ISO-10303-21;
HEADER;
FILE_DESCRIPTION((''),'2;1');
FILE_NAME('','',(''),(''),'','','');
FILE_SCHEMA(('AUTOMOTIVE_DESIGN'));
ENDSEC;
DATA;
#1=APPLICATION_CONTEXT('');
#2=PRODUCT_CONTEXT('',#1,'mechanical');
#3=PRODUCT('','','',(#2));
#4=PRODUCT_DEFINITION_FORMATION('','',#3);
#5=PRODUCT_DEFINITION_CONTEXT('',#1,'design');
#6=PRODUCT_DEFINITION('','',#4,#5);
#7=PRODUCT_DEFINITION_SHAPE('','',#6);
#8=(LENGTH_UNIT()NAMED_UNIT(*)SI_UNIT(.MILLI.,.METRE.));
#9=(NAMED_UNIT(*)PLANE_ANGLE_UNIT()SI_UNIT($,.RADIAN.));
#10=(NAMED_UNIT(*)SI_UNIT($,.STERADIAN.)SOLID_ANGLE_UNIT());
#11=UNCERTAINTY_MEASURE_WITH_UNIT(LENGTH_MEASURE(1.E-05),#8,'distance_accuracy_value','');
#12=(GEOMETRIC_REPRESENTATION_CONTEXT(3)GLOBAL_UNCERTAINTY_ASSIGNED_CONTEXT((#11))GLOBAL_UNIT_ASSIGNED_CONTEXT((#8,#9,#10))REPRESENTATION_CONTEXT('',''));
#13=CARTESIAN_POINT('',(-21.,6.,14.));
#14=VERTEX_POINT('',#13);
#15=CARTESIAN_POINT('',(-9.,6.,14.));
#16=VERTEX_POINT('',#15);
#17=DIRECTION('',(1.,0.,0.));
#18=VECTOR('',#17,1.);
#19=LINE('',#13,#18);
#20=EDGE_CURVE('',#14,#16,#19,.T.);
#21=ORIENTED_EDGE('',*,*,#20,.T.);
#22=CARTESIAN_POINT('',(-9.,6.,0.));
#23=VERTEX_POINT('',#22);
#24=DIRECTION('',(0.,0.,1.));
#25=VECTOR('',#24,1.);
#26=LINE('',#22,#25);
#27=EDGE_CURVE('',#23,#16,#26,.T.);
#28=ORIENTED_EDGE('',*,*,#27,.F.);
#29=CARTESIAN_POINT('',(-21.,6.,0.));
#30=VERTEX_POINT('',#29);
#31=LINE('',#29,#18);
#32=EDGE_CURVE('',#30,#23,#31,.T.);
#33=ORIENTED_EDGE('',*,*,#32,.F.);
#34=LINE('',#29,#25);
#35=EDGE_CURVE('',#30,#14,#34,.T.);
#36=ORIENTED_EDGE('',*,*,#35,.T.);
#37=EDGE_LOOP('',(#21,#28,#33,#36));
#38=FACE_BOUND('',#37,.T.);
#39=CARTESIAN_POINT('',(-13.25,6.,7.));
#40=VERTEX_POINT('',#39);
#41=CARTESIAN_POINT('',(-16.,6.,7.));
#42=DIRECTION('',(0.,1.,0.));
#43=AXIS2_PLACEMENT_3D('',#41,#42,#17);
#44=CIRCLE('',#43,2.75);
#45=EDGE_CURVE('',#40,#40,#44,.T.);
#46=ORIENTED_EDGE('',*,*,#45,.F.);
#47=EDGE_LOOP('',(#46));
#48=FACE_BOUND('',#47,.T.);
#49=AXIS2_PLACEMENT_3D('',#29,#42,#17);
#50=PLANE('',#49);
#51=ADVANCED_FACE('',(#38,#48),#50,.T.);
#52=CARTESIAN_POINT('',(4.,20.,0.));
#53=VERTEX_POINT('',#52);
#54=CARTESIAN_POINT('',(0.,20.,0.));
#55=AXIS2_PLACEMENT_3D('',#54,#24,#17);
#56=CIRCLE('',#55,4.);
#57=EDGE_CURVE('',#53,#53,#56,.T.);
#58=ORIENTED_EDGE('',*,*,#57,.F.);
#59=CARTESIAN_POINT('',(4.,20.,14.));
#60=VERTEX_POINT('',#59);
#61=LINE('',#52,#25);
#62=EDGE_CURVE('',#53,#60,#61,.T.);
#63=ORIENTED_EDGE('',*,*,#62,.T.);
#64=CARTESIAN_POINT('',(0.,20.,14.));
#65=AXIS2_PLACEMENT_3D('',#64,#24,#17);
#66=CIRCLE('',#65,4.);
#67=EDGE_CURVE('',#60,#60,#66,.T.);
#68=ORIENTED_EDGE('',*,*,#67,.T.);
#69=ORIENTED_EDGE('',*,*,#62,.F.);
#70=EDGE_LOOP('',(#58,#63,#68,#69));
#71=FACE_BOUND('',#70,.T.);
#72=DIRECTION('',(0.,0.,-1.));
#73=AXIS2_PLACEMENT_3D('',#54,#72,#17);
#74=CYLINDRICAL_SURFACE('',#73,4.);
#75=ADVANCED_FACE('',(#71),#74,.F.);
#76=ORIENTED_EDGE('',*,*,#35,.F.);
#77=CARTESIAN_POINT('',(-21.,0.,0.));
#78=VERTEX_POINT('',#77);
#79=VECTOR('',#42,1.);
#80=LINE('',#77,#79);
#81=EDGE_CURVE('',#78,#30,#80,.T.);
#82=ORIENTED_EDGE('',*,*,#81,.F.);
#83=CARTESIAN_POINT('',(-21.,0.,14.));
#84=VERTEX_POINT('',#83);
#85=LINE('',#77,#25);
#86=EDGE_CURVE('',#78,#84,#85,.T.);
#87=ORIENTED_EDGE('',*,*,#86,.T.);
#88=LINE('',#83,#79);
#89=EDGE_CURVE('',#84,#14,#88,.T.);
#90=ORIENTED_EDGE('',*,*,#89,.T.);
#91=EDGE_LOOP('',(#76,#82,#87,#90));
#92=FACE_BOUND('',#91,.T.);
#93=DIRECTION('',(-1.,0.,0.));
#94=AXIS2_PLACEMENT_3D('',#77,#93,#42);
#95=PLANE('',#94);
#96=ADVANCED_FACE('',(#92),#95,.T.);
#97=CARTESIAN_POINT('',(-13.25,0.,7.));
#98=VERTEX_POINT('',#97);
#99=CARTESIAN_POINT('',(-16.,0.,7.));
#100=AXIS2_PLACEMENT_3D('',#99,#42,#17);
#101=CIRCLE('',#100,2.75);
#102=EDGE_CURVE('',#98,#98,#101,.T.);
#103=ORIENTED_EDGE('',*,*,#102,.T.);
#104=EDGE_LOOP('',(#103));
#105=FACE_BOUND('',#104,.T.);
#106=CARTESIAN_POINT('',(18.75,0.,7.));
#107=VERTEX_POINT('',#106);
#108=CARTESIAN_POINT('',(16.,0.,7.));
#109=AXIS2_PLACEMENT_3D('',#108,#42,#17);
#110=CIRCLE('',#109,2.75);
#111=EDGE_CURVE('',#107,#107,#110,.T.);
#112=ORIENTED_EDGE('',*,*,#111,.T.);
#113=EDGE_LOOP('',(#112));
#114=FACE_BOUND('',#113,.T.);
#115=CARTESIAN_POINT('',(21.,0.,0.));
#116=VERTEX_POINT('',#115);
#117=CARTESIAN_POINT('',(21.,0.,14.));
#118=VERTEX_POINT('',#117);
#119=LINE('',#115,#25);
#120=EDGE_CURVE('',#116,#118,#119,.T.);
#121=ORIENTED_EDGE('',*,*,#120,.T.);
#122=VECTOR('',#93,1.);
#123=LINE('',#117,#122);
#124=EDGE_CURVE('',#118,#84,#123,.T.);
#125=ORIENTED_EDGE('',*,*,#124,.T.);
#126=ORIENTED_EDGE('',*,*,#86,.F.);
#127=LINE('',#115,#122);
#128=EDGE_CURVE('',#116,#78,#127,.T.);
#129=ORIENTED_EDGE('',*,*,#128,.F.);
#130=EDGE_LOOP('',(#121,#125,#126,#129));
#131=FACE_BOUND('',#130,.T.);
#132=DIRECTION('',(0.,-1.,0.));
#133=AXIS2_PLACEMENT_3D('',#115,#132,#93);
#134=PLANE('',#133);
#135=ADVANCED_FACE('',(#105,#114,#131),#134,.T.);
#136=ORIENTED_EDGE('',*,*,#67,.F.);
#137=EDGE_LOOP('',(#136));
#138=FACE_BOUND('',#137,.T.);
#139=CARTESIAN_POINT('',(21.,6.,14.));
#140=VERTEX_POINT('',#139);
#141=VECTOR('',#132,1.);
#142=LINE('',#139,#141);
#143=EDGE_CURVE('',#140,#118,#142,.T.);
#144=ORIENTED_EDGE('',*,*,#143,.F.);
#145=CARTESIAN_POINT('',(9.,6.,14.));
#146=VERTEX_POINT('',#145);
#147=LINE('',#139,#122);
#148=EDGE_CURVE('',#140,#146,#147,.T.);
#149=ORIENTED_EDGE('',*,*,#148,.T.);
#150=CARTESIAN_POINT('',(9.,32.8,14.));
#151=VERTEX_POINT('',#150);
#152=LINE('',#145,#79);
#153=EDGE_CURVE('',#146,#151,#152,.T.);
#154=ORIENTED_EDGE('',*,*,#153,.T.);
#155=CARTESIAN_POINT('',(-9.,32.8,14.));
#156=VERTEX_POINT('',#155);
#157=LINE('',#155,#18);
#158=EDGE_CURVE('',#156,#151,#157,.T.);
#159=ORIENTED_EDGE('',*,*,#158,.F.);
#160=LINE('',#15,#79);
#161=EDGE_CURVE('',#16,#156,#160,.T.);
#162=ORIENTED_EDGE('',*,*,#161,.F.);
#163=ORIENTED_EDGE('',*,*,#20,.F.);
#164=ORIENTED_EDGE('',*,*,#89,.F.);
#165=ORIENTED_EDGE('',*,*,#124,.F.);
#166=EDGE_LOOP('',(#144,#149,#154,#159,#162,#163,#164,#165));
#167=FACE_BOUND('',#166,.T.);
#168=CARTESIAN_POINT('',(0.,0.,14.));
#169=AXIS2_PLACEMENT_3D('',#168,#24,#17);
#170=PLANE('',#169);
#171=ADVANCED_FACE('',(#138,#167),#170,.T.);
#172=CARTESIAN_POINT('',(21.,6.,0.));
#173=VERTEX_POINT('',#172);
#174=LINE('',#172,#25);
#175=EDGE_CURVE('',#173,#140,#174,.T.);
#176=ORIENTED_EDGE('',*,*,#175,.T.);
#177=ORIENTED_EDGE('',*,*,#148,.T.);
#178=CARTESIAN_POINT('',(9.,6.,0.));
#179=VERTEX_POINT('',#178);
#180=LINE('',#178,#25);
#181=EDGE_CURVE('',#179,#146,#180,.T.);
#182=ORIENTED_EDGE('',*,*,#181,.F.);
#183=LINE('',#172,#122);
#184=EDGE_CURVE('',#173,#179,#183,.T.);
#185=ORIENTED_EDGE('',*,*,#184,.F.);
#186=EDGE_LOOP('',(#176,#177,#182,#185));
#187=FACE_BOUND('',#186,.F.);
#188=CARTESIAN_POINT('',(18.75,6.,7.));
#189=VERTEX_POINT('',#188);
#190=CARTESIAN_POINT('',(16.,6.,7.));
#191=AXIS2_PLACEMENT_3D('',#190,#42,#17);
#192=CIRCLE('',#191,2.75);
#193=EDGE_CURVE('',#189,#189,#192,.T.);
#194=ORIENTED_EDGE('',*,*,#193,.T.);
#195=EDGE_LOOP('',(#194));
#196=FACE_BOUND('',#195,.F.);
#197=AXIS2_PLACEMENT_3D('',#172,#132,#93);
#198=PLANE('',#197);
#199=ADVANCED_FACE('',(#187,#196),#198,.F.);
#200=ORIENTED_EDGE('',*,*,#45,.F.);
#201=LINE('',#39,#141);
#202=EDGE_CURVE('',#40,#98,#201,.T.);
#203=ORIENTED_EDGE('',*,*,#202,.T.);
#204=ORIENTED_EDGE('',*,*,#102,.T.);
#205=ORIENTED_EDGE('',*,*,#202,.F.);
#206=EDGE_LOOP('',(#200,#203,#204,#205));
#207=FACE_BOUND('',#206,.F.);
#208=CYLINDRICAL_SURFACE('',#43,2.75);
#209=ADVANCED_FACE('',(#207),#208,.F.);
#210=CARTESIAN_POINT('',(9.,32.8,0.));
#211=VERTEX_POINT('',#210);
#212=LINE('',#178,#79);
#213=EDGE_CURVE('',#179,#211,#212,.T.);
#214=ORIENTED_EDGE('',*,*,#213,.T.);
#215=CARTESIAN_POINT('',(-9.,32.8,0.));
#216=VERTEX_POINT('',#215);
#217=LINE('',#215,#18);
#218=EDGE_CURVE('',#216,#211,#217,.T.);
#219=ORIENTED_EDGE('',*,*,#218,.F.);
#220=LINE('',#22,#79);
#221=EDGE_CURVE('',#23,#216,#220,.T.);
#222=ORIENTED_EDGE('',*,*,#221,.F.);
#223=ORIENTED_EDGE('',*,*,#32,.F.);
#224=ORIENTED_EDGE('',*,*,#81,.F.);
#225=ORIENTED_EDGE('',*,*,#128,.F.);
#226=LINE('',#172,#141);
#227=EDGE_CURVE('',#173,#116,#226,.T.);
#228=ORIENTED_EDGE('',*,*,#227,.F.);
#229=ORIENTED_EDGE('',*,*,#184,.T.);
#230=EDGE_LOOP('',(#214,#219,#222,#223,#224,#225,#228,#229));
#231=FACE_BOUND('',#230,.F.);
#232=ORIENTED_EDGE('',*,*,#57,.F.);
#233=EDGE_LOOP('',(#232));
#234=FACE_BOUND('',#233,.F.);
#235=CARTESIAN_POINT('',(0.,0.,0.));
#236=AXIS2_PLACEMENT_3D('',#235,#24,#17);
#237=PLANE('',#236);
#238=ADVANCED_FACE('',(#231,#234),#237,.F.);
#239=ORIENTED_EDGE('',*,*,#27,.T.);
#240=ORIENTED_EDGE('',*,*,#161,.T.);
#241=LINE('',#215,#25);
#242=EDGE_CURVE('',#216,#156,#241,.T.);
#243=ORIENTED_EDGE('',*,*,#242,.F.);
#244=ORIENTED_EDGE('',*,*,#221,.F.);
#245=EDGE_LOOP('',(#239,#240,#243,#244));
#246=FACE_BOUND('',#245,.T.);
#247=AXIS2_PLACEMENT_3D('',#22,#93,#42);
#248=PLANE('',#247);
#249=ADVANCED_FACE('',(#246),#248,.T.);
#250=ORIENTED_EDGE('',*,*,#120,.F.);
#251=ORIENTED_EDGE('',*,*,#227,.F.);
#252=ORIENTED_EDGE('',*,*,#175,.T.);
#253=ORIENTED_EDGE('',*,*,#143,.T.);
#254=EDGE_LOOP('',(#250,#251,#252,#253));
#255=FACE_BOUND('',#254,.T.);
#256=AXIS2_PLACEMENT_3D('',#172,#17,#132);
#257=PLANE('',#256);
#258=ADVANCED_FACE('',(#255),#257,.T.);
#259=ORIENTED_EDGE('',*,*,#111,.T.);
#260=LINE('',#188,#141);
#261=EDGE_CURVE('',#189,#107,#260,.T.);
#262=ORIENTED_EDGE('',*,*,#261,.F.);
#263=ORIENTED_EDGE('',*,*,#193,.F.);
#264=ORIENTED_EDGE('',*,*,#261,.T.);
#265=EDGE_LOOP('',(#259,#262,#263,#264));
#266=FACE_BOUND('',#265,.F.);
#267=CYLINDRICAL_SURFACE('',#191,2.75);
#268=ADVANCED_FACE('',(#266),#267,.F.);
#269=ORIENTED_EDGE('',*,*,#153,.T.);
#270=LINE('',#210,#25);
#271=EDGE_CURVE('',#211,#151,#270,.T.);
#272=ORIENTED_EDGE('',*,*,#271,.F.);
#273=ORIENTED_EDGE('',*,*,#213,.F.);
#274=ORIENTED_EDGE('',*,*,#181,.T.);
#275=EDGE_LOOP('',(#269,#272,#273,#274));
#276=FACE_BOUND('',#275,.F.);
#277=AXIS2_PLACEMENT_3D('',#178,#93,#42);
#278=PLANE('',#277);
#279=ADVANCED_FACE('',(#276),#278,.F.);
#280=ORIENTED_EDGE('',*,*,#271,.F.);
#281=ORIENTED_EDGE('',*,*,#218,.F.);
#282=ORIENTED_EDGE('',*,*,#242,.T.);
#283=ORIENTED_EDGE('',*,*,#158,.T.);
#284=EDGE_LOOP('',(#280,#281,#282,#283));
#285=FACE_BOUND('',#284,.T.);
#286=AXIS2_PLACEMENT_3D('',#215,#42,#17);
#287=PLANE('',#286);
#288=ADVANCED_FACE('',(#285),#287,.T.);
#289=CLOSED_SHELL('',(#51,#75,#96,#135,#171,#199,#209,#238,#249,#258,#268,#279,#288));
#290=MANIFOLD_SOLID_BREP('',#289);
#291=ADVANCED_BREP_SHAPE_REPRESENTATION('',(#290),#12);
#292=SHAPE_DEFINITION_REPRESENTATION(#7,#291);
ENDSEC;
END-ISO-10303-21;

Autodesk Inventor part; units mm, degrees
ref_plane "YZ Plane" through (0, 0, 0) normal (1, 0, 0) x (0, 1, 0)
ref_plane "XZ Plane" through (0, 0, 0) normal (0, 1, 0) x (-1, 0, 0)
ref_plane "XY Plane" through (0, 0, 0) normal (0, 0, 1) x (1, 0, 0)
sketch "Sketch1" plane through (0, 0, 0) normal (0, 0, 1) x (1, 0, 0)
  line L0 (21, 0) -> (-21, 0)
  line L1 (-21, 0) -> (-21, 6)
  line L2 (-9, 32.8) -> (9, 32.8)
  line L3 (21, 6) -> (21, 0)
  circle A0 centre (0, 20) radius 4
  line L4 (0, 20) -> (0, 0) construction
  line L5 (-21, 6) -> (-9, 6)
  line L6 (-9, 6) -> (-9, 32.8)
  line L7 (21, 6) -> (9, 6)
  line L8 (9, 6) -> (9, 32.8)
  dimension "d2" = 8
  dimension "d3" = 18
  dimension "d4" = 20
  dimension "d5" = 6
  dimension "d6" = 32.8
  dimension "d7" = 42
extrude "Extrusion1" add sketch "Sketch1" along normal blind 14
sketch "Sketch2" plane through (-21, 6, 0) normal (0, 1, 0) x (1, 0, 0)
  line L0 (12, 0) -> (0, 0) projected
  line L1 (0, 0) -> (0, -14) projected
  line L2 (12, -14) -> (0, -14) projected
  line L3 (12, 0) -> (12, -14) projected
  circle A0 centre (5, -7) radius 2.75
  line L4 (42, 0) -> (30, 0) projected
  line L5 (30, 0) -> (30, -14) projected
  line L6 (42, -14) -> (30, -14) projected
  line L7 (42, 0) -> (42, -14) projected
  line L8 (12, -7) -> (30, -7) construction
  line L9 (5, -7) -> (12, -7) construction
  circle A1 centre (37, -7) radius 2.75
  line L10 (37, -7) -> (30, -7) construction
  point P0 (21, 0)
  point P1 (21, -7)
  dimension "d10" = 5.5
  dimension "d11" = 16
  dimension "d12" = 5.5
  dimension "d13" = 16
extrude "Extrusion2" cut sketch "Sketch2" against normal through all contours A0 | A1
equation "\"d12\" = d10"
equation "\"d13\" = d11"
properties part number "Linear Rod Holder SK8"
